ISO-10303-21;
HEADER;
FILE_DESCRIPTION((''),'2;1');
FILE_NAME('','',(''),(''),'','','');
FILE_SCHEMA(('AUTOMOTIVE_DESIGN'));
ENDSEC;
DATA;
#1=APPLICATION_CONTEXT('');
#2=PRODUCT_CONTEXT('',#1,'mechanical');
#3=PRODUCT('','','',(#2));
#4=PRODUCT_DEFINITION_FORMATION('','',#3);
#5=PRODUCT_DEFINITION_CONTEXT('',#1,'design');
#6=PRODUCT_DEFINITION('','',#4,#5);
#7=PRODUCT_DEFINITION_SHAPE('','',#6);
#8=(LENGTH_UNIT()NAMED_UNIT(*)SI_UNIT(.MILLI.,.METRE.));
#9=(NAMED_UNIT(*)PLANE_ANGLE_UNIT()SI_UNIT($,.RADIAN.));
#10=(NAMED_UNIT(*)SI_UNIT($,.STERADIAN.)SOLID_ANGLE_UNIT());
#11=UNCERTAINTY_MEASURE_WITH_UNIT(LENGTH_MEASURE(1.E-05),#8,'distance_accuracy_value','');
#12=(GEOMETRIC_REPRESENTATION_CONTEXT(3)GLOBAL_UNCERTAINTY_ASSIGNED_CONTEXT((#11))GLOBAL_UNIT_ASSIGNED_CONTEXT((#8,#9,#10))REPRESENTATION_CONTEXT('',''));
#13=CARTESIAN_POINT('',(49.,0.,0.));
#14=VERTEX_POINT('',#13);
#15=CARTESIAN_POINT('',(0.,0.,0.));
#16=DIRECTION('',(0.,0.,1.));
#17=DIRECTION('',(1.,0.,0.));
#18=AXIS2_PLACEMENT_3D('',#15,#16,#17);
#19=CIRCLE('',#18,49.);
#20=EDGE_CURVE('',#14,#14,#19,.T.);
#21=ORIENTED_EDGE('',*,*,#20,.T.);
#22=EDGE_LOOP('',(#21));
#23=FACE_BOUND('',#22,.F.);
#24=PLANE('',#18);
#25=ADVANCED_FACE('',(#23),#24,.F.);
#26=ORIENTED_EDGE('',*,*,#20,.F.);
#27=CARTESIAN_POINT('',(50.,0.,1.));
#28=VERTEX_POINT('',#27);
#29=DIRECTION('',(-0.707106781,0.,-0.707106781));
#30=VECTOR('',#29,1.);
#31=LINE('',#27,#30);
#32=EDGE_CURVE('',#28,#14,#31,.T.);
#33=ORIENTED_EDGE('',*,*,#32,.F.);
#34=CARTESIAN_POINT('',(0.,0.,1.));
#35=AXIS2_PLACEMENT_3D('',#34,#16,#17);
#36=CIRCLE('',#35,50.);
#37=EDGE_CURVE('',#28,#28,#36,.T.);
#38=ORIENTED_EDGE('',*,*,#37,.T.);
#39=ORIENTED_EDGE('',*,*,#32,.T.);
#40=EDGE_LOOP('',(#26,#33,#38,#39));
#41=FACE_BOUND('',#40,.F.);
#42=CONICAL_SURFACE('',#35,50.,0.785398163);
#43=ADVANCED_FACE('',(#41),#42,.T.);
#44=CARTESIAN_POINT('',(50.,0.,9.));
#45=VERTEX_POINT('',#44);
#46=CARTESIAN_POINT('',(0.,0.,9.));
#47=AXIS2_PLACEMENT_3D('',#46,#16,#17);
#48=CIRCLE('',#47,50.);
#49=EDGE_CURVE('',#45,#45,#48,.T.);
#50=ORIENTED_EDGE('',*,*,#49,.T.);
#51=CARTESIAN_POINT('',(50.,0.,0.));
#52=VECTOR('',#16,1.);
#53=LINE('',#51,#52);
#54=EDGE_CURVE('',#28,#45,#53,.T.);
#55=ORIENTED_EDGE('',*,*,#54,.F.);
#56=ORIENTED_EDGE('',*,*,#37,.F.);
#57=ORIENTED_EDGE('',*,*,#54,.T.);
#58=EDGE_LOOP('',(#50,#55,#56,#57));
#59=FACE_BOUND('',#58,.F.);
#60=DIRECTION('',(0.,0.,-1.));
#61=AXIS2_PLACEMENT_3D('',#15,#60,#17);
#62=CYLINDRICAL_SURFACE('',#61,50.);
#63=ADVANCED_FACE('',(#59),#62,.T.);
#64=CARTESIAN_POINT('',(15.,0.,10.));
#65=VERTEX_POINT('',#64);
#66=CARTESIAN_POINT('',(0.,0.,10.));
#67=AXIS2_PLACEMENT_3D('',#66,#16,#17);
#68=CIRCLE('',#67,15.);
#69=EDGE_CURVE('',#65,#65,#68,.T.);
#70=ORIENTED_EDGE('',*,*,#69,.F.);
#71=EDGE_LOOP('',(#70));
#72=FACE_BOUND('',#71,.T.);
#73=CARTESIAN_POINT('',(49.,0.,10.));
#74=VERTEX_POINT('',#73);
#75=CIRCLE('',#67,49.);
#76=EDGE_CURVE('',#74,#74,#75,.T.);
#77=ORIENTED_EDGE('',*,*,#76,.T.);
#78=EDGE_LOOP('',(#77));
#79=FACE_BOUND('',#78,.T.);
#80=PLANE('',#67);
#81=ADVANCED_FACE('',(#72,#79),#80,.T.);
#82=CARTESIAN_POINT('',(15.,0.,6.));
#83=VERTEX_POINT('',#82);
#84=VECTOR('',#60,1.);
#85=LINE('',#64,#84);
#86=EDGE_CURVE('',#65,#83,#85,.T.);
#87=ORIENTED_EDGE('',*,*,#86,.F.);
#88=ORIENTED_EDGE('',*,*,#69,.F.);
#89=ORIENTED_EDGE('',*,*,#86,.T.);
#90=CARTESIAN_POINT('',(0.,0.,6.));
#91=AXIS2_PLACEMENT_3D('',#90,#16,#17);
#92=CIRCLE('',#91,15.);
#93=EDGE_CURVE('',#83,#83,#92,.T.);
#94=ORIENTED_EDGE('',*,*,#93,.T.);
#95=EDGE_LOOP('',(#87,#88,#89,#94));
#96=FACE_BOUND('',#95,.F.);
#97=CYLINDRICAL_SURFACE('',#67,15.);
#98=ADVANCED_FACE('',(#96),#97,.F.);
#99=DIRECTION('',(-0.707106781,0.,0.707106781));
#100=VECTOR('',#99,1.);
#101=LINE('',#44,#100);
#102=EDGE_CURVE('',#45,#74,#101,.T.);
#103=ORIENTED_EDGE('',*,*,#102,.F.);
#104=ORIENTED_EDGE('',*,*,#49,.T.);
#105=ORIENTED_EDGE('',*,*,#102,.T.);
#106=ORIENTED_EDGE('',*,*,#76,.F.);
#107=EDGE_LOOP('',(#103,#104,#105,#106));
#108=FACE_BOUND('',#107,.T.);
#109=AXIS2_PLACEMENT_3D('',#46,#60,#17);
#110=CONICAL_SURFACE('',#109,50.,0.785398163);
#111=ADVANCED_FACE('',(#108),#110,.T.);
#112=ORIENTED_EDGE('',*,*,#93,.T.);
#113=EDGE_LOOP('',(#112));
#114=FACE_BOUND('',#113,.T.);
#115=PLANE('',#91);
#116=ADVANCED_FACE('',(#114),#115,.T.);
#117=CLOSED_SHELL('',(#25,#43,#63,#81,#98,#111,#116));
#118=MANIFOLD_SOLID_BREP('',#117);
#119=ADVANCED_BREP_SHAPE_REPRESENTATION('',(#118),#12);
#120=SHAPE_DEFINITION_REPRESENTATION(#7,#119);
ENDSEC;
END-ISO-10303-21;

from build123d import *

# Parameters (mm, degrees)
F0_R     = 50
F1_DEPTH = 10
F2_R     = 15
F3_DEPTH = 4
F4_SIZE  = 1


with BuildPart() as f1:
    # F0 (on Top) → F1 (new body)
    with BuildSketch(Plane.XY):
        Circle(F0_R)
    extrude(amount=F1_DEPTH)

    # F2 (on face) → F3 (cut)
    with BuildSketch(Plane.XY.offset(10)):
        Circle(F2_R)
    extrude(amount=-F3_DEPTH, mode=Mode.SUBTRACT)

    # F4
    f4_edges = [f1.edges().sort_by_distance(p)[0] for p in [
        (-50, 0, 10),
        (-50, 0, 0),
    ]]
    chamfer(f4_edges, length=F4_SIZE)


solid = f1.part
